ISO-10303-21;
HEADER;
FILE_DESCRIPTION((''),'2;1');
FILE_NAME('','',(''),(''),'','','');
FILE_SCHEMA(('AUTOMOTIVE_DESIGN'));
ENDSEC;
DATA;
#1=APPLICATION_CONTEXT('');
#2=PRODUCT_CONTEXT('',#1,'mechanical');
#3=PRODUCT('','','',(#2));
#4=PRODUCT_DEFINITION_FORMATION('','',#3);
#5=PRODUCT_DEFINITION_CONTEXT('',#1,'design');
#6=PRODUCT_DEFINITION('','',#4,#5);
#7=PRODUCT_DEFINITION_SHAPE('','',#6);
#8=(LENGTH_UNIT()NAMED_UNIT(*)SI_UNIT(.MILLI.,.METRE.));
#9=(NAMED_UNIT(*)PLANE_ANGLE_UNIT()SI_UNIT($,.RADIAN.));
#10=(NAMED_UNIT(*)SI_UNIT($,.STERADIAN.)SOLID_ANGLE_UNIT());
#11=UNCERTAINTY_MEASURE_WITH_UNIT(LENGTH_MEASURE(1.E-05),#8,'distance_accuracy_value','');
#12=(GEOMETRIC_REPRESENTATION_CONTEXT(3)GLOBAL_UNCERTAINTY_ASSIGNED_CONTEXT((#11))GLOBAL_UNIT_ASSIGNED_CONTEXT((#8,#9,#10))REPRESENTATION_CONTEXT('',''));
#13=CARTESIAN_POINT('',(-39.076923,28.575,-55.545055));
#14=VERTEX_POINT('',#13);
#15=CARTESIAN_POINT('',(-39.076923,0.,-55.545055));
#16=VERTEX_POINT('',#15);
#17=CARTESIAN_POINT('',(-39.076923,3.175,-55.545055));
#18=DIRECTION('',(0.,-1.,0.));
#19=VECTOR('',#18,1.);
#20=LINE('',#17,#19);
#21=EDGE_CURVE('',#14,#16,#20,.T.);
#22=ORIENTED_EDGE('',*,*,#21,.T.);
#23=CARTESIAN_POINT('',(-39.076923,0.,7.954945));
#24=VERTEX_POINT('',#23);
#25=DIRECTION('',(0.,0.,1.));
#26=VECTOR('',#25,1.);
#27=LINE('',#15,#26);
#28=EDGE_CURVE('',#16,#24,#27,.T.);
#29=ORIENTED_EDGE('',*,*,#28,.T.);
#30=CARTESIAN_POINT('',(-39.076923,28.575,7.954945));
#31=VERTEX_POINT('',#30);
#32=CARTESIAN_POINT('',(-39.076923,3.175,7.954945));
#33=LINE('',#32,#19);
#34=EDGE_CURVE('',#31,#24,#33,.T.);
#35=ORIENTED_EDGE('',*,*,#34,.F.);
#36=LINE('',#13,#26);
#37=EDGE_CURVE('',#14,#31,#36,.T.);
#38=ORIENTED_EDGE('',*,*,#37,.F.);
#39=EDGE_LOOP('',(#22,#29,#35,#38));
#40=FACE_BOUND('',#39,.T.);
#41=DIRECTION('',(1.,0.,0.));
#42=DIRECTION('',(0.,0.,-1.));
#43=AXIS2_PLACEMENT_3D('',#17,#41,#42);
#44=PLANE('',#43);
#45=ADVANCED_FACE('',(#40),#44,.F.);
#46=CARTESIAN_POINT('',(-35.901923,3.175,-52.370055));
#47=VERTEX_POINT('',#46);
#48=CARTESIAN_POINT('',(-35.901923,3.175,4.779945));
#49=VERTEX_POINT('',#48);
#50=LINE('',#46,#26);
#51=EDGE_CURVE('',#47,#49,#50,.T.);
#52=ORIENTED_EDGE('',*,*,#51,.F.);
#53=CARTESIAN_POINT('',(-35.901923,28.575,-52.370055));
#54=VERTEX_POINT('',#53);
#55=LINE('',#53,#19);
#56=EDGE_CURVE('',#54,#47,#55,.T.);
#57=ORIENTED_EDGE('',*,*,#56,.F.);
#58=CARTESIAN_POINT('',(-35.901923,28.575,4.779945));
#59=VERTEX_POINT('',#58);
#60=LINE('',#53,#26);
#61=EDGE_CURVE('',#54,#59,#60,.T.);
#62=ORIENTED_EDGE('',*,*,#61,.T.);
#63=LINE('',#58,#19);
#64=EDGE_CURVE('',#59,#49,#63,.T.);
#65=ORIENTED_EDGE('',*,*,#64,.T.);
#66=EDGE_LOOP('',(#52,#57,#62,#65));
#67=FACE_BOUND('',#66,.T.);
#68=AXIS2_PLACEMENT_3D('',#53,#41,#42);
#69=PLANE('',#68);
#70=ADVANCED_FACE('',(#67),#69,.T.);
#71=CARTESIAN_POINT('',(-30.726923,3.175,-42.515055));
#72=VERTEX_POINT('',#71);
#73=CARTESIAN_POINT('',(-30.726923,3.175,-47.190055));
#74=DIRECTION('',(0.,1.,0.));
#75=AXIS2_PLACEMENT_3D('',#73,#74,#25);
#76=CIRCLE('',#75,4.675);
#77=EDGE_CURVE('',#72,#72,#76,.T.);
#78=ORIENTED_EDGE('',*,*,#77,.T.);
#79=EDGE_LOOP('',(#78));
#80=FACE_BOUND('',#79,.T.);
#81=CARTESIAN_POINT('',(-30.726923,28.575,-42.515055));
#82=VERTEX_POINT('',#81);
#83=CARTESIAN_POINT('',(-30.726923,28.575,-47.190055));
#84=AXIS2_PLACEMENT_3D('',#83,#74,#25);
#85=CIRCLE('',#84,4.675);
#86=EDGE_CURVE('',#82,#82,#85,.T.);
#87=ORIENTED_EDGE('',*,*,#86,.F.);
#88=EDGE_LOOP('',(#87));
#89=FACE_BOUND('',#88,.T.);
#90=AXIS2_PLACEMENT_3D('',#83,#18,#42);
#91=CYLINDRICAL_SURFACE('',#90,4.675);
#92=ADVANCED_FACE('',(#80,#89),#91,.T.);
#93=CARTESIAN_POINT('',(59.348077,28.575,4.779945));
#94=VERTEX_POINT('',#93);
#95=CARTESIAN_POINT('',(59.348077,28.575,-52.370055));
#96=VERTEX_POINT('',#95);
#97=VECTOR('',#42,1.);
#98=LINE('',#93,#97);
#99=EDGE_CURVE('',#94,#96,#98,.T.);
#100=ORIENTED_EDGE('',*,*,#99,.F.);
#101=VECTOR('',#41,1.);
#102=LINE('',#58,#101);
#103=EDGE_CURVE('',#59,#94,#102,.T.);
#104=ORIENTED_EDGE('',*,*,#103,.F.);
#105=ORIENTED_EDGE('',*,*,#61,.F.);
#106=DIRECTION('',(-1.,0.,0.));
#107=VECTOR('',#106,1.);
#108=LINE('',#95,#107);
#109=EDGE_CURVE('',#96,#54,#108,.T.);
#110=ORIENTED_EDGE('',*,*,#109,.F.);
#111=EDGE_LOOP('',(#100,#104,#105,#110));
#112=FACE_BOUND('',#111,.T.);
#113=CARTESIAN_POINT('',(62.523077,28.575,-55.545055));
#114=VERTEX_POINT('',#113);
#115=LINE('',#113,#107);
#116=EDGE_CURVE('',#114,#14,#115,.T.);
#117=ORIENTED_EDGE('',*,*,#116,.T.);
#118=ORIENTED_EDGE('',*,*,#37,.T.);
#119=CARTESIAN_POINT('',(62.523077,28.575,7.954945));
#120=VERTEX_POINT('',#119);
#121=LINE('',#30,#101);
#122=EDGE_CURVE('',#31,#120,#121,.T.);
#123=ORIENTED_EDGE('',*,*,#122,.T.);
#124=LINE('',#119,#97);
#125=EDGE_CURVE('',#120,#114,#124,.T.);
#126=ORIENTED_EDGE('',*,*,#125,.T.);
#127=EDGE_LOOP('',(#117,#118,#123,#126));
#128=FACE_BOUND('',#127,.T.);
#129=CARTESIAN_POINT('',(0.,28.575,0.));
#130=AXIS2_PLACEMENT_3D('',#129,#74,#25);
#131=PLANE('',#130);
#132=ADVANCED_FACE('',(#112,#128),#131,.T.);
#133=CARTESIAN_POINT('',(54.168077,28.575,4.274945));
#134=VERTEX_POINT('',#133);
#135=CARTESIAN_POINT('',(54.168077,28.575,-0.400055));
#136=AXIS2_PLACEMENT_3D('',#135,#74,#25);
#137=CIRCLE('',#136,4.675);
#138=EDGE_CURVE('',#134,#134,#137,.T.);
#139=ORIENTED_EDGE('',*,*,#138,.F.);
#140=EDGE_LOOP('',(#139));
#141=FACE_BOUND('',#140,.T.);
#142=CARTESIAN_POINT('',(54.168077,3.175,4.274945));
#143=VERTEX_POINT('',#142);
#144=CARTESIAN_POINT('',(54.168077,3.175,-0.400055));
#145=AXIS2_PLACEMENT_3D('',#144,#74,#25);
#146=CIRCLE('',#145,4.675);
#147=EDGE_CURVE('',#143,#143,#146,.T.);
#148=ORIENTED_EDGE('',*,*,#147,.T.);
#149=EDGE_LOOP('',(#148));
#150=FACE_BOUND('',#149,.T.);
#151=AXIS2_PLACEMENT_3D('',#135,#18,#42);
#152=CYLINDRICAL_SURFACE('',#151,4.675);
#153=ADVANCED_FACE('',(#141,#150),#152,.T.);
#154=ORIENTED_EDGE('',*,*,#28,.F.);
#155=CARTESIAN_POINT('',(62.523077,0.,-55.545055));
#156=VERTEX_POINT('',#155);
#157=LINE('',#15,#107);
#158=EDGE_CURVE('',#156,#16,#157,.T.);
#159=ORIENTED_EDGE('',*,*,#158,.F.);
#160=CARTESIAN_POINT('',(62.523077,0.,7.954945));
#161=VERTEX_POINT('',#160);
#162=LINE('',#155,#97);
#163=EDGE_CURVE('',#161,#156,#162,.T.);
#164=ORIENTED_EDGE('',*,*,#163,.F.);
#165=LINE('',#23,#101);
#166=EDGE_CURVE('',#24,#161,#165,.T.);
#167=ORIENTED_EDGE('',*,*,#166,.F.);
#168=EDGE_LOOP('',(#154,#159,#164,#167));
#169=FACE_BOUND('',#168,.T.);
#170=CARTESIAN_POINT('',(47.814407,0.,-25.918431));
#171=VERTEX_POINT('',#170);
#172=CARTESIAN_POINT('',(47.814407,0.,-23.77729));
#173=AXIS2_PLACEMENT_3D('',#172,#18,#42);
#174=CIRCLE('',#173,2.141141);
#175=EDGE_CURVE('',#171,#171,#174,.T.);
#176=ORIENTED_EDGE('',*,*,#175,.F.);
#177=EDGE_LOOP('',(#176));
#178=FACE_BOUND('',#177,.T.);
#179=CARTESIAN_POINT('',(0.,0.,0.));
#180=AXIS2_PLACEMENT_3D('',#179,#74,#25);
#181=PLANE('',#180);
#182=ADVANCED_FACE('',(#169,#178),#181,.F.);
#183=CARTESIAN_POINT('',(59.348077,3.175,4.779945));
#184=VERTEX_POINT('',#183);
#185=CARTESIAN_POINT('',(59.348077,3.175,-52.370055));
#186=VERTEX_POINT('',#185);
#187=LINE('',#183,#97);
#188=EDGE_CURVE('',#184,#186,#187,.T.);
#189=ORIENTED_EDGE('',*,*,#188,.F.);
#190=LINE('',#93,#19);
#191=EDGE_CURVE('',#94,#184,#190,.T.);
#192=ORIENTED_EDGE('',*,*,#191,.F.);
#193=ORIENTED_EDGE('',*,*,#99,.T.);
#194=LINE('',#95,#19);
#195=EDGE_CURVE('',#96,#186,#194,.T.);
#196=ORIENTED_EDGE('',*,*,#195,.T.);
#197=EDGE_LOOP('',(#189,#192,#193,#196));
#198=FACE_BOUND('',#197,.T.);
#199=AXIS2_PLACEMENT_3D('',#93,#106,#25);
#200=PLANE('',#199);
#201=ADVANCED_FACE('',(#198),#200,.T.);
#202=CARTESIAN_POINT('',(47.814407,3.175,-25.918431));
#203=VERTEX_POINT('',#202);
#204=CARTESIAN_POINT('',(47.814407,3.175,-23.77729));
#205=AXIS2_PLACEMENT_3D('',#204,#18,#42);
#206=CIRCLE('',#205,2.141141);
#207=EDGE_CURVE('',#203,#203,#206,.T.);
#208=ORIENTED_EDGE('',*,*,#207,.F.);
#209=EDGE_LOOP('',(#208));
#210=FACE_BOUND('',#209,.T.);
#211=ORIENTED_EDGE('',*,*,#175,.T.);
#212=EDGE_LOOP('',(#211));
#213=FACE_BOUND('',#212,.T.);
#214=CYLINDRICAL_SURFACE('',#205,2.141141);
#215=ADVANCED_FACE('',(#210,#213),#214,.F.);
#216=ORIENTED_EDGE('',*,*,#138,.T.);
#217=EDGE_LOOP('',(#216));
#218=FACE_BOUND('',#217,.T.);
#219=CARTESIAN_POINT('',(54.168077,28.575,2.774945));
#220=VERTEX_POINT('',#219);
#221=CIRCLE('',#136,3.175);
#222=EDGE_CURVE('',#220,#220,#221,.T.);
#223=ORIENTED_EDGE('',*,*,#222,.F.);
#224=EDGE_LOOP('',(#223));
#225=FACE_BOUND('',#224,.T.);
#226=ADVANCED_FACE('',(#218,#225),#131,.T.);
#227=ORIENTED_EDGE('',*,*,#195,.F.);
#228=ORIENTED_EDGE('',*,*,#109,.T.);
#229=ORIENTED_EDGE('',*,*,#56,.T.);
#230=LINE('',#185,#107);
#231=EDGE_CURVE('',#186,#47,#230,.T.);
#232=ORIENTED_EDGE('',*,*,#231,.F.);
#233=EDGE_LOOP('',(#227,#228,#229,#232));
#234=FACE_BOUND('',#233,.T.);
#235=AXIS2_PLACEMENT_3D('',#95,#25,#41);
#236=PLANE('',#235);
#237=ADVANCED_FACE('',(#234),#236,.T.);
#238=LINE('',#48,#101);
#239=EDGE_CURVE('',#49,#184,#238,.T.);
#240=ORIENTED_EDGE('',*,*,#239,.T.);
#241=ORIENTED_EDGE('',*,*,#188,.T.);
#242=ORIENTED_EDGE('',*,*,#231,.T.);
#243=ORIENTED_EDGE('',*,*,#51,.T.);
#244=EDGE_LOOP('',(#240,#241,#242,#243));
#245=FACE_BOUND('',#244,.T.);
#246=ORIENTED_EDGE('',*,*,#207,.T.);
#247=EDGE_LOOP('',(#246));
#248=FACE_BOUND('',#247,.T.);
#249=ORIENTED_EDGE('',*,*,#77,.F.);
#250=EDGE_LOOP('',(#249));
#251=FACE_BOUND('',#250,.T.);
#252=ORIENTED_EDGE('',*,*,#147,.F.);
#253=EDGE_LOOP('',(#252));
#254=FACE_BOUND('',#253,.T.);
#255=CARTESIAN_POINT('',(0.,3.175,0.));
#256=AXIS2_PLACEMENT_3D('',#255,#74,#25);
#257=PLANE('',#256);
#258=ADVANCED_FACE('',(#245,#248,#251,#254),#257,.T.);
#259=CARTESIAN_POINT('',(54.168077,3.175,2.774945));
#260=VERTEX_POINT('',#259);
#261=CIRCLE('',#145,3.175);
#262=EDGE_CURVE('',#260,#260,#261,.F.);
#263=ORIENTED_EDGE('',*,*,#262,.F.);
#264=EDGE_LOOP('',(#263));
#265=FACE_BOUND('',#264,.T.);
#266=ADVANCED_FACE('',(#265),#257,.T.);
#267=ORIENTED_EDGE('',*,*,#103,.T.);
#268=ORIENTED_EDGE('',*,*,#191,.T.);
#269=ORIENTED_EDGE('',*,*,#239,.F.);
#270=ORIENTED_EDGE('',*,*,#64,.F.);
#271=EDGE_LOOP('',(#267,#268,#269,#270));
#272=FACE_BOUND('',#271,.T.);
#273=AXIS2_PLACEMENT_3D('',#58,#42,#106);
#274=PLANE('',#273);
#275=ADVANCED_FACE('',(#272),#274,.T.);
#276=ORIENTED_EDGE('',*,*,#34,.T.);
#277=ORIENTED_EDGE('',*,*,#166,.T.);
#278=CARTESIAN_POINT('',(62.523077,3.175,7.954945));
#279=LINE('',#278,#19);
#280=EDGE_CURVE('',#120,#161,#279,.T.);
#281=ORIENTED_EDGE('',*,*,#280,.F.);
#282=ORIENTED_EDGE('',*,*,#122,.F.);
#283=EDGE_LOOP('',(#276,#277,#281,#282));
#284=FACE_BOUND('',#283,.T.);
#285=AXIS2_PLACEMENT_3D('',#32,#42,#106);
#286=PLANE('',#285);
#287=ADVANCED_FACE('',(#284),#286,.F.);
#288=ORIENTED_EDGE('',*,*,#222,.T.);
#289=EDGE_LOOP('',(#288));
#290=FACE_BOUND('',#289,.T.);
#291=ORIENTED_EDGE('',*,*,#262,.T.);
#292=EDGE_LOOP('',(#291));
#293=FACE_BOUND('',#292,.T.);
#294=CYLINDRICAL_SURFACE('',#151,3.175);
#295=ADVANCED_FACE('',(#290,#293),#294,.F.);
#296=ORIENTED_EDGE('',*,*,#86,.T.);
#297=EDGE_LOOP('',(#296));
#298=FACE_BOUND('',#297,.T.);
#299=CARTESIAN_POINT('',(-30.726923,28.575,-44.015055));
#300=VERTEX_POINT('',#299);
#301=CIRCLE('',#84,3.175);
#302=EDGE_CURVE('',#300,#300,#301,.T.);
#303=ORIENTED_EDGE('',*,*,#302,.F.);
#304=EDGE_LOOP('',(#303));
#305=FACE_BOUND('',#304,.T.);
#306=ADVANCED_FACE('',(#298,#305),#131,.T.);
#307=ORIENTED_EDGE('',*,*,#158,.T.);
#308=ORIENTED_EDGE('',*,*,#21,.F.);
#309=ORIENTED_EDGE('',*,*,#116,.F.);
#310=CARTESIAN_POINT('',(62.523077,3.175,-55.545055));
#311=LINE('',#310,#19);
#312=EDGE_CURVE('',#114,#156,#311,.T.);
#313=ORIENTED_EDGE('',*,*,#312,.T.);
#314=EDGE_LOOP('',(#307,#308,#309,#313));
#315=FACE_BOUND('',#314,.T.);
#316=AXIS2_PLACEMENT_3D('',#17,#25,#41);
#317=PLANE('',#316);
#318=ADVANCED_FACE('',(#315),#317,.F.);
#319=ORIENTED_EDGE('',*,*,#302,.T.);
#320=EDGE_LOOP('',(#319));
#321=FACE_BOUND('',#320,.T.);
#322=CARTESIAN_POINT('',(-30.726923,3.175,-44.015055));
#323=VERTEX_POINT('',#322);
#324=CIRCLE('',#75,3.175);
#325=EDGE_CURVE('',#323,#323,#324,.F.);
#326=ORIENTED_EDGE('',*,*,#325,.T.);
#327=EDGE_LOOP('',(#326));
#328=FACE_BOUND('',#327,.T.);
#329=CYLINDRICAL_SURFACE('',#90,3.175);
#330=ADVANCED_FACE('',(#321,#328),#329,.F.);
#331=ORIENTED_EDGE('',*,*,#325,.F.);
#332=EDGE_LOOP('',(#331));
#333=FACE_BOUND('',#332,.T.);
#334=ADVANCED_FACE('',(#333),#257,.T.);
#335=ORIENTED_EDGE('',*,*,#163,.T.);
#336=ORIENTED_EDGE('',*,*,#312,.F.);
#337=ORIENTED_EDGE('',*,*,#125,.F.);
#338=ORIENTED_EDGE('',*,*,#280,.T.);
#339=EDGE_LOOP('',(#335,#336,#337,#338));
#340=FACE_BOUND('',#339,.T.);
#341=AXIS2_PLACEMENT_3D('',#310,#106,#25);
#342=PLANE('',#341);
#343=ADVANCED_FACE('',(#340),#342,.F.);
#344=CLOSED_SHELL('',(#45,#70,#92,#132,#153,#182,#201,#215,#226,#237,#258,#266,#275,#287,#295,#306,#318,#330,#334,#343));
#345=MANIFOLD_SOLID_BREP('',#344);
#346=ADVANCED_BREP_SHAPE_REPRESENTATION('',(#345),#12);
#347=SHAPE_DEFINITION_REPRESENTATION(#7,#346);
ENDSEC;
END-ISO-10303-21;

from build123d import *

# Parameters (mm, degrees)
SKETCH1_W           = 101.6
SKETCH1_H           = 63.5
BOSS_EXTRUDE1_DEPTH = 3.175
SKETCH2_W           = 101.6
SKETCH2_H           = 63.5
SKETCH2_W_2         = 95.25
SKETCH2_H_2         = 57.15
BOSS_EXTRUDE3_DEPTH = 25.4
SKETCH3_R           = 2.141141326
CUT_EXTRUDE1_DEPTH  = 3.175
SKETCH5_R           = 4.675
SKETCH5_R_2         = 3.175
BOSS_EXTRUDE4_DEPTH = 25.4


with BuildPart() as part:
    # Sketch1 → Boss-Extrude1 (new body)
    with BuildSketch(Plane(origin=(0, 0, 0), x_dir=(1, 0, 0), z_dir=(0, 1, 0))):
        with Locations((11.723076923, 23.795054945)):
            Rectangle(SKETCH1_W, SKETCH1_H)
    extrude(amount=BOSS_EXTRUDE1_DEPTH)

    # Sketch2 → Boss-Extrude3 (add)
    with BuildSketch(Plane(origin=(0, 3.175, 0), x_dir=(1, 0, 0), z_dir=(0, 1, 0))):
        with Locations((11.723076923, 23.795054945)):
            Rectangle(SKETCH2_W, SKETCH2_H)
        with Locations((11.723076923, 23.795054945)):
            Rectangle(SKETCH2_W_2, SKETCH2_H_2, mode=Mode.SUBTRACT)
    extrude(amount=BOSS_EXTRUDE3_DEPTH)

    # Sketch3 → Cut-Extrude1 (cut)
    with BuildSketch(Plane.XZ):
        with Locations((47.814406836, -23.777289581)):
            Circle(SKETCH3_R)
    extrude(amount=-CUT_EXTRUDE1_DEPTH, mode=Mode.SUBTRACT)

    # Sketch5 → Boss-Extrude4 (add)
    with BuildSketch(Plane(origin=(0, 3.175, 0), x_dir=(1, 0, 0), z_dir=(0, 1, 0))):
        with Locations((-30.726923077, 47.190054945)):
            Circle(SKETCH5_R)
        with Locations((-30.726923077, 47.190054945)):
            Circle(SKETCH5_R_2, mode=Mode.SUBTRACT)
        with Locations((54.168076923, 0.400054945)):
            Circle(SKETCH5_R)
        with Locations((54.168076923, 0.400054945)):
            Circle(SKETCH5_R_2, mode=Mode.SUBTRACT)
    extrude(amount=BOSS_EXTRUDE4_DEPTH)


solid = part.part
